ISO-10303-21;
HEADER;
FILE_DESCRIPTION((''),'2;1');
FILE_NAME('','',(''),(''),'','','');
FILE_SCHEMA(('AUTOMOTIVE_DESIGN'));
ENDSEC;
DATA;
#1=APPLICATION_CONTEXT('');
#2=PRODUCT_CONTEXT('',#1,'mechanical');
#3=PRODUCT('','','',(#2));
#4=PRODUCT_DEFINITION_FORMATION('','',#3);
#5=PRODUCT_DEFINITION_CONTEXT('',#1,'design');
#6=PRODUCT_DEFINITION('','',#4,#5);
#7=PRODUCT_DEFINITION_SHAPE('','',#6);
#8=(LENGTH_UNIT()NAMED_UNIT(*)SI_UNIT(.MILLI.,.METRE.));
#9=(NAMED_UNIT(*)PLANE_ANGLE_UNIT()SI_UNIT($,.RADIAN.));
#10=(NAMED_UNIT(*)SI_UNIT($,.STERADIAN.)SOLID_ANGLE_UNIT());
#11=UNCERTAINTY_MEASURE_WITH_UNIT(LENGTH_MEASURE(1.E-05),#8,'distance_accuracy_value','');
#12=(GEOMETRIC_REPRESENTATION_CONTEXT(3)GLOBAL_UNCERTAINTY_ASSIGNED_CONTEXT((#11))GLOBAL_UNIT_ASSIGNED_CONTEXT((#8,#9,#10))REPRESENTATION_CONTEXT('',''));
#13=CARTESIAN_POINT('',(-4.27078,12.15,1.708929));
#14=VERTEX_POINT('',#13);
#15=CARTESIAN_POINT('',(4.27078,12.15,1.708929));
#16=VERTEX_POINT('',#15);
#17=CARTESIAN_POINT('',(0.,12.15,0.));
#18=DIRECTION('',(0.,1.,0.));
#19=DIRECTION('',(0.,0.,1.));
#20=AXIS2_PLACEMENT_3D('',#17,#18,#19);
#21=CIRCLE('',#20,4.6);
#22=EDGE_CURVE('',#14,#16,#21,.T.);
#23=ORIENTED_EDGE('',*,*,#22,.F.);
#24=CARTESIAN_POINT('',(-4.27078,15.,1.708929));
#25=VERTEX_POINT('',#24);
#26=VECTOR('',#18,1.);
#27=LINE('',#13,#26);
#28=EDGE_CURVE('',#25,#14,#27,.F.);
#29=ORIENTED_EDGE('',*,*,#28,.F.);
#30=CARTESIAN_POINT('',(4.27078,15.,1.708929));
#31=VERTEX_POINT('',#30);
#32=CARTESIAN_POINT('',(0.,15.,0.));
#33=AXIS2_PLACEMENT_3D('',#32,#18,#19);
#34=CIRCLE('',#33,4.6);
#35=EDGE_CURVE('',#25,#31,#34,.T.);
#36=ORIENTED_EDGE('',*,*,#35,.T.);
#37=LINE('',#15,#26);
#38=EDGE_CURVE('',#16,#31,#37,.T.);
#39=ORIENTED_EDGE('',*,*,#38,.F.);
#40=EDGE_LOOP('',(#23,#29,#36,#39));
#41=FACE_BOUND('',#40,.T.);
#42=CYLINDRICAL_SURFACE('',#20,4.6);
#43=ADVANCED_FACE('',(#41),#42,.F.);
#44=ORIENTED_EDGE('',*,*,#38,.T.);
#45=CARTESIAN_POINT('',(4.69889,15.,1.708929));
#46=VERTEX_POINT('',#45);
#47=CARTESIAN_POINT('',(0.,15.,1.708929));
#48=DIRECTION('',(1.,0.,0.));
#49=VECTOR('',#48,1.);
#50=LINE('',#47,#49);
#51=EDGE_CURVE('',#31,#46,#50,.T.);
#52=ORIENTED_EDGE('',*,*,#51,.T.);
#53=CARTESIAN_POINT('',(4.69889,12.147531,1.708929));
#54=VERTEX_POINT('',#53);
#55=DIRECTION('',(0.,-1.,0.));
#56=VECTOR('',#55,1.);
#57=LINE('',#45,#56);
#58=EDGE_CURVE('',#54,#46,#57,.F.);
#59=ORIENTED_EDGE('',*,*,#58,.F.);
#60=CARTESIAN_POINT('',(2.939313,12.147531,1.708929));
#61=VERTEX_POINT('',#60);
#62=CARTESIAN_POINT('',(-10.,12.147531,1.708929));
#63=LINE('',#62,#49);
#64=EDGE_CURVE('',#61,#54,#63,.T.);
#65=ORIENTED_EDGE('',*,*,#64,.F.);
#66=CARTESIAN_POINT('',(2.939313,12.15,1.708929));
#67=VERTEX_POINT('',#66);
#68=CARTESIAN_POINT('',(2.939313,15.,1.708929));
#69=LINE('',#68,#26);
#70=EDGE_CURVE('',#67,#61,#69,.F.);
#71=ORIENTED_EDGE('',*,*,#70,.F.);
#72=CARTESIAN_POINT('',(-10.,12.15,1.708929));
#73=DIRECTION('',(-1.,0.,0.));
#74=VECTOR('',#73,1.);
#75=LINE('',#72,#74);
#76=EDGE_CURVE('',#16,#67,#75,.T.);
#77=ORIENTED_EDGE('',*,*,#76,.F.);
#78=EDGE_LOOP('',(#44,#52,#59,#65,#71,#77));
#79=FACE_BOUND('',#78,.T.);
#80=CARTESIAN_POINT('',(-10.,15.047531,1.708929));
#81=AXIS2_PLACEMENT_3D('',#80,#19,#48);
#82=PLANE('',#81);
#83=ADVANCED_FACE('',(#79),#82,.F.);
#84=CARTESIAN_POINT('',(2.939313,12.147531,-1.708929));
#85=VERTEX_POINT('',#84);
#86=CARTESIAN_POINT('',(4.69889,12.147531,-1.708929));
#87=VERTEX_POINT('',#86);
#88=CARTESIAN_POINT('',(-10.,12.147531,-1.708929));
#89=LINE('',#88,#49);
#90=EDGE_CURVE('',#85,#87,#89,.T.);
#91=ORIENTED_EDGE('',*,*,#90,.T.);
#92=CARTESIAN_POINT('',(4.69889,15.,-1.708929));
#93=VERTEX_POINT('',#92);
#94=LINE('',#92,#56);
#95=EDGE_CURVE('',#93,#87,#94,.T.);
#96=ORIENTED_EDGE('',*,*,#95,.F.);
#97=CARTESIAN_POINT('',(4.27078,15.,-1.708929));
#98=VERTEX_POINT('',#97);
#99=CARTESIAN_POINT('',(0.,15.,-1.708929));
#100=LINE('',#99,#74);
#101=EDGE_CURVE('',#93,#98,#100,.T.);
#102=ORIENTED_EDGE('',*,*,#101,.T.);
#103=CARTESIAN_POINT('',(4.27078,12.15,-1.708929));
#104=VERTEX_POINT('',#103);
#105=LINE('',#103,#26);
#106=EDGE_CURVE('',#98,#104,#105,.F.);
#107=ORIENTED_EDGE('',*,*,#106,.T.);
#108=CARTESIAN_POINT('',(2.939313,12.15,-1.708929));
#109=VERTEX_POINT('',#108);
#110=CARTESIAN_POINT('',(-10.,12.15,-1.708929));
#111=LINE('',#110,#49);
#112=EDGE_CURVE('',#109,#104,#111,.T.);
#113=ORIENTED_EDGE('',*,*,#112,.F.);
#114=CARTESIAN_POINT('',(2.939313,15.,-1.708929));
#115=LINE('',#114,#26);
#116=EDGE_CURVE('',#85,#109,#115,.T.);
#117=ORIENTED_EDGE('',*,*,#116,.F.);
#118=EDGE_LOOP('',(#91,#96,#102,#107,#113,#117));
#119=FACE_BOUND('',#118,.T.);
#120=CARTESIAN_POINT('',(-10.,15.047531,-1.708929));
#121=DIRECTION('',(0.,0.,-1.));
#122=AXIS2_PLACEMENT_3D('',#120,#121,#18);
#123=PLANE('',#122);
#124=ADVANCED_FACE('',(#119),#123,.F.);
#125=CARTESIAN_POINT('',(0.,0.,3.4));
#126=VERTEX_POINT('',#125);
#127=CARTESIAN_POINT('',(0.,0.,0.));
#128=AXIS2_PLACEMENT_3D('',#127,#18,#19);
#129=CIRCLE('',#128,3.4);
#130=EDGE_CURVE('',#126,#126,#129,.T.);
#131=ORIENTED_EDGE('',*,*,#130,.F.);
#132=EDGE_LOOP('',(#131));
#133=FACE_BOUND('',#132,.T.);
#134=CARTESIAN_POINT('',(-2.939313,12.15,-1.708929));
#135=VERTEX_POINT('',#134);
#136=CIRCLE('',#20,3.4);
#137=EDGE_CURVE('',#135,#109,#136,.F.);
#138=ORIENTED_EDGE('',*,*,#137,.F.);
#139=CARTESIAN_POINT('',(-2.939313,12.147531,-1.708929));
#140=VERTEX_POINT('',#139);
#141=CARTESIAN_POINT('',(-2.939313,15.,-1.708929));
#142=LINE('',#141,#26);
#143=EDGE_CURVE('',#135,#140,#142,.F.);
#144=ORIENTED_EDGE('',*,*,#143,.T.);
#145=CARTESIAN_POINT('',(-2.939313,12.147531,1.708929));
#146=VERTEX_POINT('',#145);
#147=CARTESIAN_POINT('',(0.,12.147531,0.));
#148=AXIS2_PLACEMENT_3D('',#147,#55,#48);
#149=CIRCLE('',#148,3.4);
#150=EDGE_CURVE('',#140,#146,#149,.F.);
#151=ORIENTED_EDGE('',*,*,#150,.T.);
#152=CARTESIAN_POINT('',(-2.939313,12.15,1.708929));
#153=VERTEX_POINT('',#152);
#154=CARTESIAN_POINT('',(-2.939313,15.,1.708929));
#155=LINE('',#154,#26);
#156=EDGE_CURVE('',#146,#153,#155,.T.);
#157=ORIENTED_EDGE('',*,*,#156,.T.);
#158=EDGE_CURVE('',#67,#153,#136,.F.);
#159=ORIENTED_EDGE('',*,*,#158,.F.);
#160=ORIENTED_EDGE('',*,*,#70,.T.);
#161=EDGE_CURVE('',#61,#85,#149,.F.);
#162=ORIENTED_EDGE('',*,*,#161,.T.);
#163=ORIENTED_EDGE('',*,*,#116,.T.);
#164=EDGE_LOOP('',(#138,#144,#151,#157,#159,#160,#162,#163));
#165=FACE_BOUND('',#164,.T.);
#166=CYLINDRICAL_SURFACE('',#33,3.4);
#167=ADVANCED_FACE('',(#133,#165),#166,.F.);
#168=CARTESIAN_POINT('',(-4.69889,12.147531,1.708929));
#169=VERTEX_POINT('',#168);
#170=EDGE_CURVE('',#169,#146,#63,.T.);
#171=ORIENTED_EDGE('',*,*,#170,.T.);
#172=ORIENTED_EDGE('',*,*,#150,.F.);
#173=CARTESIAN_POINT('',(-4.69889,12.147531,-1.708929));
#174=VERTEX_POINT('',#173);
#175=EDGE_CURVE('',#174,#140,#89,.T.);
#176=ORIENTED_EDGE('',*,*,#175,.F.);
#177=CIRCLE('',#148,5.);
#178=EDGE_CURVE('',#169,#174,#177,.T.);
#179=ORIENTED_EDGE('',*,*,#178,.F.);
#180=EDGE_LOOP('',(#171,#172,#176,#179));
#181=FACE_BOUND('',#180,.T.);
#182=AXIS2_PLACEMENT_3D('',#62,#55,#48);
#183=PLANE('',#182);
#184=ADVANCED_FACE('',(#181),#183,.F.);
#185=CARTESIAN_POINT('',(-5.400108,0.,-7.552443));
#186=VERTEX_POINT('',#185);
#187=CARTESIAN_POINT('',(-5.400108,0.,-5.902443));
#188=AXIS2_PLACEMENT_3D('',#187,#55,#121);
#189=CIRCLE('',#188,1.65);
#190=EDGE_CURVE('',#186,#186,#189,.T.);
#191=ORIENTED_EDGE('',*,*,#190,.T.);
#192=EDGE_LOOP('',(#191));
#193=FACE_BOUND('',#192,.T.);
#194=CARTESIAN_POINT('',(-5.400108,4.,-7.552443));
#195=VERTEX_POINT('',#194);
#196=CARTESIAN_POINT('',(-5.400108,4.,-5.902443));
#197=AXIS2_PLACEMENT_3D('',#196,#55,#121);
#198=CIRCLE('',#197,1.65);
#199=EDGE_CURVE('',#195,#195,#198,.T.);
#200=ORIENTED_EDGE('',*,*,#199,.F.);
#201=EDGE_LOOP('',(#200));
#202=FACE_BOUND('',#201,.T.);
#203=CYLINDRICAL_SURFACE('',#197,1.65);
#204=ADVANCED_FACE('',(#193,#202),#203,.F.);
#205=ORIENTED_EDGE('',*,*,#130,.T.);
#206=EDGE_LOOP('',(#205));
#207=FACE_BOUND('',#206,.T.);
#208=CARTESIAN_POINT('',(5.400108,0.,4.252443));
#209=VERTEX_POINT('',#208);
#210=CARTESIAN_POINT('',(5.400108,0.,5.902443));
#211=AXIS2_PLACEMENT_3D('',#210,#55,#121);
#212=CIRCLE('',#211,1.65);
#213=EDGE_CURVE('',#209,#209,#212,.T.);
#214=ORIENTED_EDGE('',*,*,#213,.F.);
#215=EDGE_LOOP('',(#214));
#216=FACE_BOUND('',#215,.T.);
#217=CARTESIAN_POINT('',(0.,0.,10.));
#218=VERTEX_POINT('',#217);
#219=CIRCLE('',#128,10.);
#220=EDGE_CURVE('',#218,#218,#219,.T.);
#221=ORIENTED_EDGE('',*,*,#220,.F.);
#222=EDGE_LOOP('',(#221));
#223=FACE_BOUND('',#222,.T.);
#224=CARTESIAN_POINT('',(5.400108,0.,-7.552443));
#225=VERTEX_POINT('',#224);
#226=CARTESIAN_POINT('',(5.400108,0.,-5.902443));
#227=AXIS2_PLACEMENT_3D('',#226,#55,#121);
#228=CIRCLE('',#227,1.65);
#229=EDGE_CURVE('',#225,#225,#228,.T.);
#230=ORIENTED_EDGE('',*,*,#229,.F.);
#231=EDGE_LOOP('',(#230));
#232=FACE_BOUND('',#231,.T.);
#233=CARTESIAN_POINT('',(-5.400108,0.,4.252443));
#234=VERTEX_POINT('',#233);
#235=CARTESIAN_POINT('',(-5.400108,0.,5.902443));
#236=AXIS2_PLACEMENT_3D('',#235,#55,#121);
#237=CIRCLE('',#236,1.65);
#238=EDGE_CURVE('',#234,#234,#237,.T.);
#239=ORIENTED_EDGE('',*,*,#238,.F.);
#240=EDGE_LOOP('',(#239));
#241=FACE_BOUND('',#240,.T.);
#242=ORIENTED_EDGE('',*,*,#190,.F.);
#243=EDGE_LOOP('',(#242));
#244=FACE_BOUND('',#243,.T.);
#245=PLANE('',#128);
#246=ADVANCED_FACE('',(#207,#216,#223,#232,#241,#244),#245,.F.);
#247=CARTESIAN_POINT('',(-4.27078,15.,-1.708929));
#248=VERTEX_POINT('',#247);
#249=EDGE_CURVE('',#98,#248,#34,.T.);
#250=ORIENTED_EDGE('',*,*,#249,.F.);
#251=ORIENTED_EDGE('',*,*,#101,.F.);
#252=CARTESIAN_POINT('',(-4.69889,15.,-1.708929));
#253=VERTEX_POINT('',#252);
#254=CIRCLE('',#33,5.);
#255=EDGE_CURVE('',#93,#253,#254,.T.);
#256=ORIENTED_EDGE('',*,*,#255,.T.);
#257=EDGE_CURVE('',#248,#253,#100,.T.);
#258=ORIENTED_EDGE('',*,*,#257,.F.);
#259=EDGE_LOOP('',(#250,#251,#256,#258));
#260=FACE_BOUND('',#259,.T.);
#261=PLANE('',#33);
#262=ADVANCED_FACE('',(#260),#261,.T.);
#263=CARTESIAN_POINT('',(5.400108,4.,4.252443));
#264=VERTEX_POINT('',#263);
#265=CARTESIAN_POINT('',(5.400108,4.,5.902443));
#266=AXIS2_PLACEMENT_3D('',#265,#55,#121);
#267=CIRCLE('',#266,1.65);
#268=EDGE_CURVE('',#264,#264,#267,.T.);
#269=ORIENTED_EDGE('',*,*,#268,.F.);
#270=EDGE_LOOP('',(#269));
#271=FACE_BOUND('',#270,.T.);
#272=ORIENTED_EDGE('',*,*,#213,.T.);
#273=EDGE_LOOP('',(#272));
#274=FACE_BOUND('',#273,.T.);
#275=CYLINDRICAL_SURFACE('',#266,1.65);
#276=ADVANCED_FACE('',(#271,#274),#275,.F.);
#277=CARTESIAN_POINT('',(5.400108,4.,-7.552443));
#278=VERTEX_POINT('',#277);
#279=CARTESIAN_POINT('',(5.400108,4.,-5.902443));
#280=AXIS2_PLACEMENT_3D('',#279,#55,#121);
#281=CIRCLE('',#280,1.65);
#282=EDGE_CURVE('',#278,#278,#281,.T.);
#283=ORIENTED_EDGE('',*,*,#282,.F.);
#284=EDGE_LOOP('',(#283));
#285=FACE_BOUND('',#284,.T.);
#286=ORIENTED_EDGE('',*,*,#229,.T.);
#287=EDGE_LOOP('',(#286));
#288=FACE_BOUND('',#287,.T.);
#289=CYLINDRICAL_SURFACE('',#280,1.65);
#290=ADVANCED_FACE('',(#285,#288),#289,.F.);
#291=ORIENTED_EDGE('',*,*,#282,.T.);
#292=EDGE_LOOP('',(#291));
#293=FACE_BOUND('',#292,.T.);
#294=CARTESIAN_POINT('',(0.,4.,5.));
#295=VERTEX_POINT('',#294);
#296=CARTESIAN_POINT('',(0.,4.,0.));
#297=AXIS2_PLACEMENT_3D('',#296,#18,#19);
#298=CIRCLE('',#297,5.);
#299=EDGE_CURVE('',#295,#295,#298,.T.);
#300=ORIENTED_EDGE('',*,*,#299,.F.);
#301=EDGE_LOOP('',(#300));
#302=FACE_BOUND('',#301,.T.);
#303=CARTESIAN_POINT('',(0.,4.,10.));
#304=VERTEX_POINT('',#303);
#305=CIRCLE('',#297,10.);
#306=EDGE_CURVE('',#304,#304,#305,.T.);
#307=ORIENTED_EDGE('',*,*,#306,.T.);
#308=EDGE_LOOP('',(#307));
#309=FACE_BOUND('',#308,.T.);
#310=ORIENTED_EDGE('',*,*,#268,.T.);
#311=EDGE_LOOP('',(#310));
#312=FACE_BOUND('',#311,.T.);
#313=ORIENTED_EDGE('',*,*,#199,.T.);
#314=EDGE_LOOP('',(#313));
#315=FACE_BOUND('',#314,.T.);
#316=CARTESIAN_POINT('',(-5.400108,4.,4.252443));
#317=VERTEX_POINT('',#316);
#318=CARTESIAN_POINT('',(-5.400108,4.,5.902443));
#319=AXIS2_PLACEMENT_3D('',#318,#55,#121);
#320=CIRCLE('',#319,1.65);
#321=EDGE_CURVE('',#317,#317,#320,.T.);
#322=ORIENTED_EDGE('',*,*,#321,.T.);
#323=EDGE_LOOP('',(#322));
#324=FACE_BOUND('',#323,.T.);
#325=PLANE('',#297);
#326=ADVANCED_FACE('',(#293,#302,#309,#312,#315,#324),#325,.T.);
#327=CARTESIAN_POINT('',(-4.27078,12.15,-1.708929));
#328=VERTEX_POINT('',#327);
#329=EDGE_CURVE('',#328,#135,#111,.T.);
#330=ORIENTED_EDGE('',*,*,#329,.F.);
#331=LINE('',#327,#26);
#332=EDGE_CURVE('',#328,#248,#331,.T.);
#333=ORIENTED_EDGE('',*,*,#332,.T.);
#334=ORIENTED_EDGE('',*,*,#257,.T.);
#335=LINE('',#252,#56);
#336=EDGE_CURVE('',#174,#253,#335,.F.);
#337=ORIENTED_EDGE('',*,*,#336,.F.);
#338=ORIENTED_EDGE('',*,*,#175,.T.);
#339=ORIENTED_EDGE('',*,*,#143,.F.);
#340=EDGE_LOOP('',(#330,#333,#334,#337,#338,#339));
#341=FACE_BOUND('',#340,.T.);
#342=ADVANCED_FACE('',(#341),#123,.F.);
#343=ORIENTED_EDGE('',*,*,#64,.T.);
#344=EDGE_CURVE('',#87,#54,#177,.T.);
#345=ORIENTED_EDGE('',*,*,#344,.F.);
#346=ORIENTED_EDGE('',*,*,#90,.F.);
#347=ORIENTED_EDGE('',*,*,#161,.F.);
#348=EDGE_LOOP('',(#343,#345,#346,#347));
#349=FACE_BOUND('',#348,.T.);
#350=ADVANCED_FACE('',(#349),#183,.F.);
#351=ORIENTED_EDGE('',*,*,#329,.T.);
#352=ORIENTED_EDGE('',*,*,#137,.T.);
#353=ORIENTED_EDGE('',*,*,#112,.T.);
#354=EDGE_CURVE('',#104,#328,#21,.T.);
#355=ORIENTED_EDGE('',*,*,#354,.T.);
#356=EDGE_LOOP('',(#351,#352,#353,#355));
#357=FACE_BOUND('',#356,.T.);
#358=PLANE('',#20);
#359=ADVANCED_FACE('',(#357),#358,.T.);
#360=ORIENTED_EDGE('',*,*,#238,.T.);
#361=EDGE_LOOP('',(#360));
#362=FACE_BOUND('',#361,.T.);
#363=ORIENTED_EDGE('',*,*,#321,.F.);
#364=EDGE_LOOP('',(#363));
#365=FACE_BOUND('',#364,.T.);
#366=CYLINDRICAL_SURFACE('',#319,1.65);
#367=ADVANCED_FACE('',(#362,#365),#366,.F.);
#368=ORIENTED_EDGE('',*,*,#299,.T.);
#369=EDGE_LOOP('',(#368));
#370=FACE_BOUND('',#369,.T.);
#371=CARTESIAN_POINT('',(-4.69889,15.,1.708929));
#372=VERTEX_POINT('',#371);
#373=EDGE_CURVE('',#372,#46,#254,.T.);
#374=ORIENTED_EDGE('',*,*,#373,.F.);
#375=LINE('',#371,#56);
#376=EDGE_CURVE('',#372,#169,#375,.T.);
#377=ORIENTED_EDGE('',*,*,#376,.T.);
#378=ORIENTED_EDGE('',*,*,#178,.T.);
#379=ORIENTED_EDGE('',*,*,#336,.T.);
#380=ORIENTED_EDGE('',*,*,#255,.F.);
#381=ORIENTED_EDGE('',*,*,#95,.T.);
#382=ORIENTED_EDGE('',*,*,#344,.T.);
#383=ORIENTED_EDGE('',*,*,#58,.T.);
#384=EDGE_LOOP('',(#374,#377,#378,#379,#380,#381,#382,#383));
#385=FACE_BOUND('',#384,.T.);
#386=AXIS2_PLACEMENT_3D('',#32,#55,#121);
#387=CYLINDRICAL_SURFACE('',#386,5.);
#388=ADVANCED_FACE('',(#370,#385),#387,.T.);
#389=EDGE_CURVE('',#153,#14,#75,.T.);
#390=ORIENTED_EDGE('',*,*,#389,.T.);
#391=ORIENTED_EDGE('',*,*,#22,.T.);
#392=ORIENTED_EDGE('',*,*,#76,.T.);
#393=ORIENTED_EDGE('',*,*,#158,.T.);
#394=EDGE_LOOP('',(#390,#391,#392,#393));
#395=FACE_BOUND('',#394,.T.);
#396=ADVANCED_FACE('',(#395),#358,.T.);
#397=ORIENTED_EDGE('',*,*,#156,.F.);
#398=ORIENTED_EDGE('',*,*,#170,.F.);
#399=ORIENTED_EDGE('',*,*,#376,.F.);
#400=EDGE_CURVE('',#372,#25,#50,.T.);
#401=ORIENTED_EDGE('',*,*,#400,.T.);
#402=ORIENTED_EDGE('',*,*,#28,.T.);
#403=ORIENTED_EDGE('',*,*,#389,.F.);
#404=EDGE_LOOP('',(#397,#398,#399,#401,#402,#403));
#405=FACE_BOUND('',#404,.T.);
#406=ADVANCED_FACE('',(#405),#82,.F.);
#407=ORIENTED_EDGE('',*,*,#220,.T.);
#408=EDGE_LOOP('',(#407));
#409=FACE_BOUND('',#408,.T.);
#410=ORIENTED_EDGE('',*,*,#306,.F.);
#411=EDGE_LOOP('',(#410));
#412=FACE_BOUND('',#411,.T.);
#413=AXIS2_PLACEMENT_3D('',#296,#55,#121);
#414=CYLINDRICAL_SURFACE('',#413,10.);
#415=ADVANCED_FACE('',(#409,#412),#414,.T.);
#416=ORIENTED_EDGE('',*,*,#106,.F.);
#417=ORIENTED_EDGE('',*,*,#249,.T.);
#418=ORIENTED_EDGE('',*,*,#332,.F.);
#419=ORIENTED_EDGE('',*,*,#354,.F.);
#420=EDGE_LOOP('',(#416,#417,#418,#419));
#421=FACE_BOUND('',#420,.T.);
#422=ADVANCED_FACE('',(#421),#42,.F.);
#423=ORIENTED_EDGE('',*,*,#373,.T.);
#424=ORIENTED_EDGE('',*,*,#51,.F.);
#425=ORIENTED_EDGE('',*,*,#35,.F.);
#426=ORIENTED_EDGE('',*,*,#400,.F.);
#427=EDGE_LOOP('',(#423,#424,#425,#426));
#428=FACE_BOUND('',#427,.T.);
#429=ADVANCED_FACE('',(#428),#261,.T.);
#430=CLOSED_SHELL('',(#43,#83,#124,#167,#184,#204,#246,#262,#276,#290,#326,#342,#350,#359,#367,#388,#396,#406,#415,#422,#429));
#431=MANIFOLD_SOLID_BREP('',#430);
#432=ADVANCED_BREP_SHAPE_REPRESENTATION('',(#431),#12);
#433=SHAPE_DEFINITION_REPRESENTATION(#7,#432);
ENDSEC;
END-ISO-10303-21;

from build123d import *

# Parameters (mm, degrees)
SKETCH_1_R                   = 10
EXTRUDE_1_DEPTH              = 4
SKETCH_4_R                   = 1.65
CUT_EXTRUDE_1_DEPTH          = 4
SKETCH_5_R                   = 5
EXTRUDE_2_DEPTH              = 11
HOLE_WIZARD_M8_1_D           = 6.8
HOLE_WIZARD_M8_1_ON_FACE_2_D = 6.8
CUT_EXTRUDE_4_DEPTH          = 24.450776575
CUT_EXTRUDE_4_DEPTH_BACK     = 24.450776575
SKETCH_11_W                  = 3.417857142
SKETCH_11_H                  = 2.9
SKETCH_12_R                  = 4.6
CUT_EXTRUDE_5_DEPTH          = 2.85


with BuildPart() as part:
    # 草图1 → 凸台-拉伸1 (new body)
    with BuildSketch(Plane(origin=(0, 0, 0), x_dir=(1, 0, 0), z_dir=(0, 1, 0))):
        with Locations(Location((0, 0, 0), (0, 0, 270))):
            Circle(SKETCH_1_R)
    extrude(amount=EXTRUDE_1_DEPTH)

    # 草图4 → 切除-拉伸1 (cut)
    with BuildSketch(Plane(origin=(0, 0, 0), x_dir=(-1, 0, 0), z_dir=(0, -1, 0))):
        with Locations(Location((5.400107697, -5.902443296, 0), (0, 0, 90))):
            Circle(SKETCH_4_R)
        with Locations(Location((-5.400107697, -5.902443296, 0), (0, 0, 90))):
            Circle(SKETCH_4_R)
        with Locations(Location((-5.400107697, 5.902443296, 0), (0, 0, 90))):
            Circle(SKETCH_4_R)
        with Locations(Location((5.400107697, 5.902443296, 0), (0, 0, 90))):
            Circle(SKETCH_4_R)
    extrude(amount=-CUT_EXTRUDE_1_DEPTH, mode=Mode.SUBTRACT)

    # 草图5 → 凸台-拉伸2 (add)
    with BuildSketch(Plane(origin=(0, 4, 0), x_dir=(1, 0, 0), z_dir=(0, 1, 0))):
        with Locations(Location((0, 0, 0), (0, 0, 270))):
            Circle(SKETCH_5_R)
    extrude(amount=EXTRUDE_2_DEPTH)

    # M8 螺纹孔1 (through all)
    with Locations(Plane(origin=(0, 0, 0), x_dir=(0, 0, -1), z_dir=(0, -1, 0))):
        with Locations((0, 0)):
            Hole(HOLE_WIZARD_M8_1_D / 2)

    # M8 螺纹孔1 on face 2 (through all)
    with Locations(Plane.ZX.offset(15)):
        with Locations((0, 0)):
            Hole(HOLE_WIZARD_M8_1_ON_FACE_2_D / 2)

    # 草图11 → 切除-拉伸4 (cut, two sides: drawn at the far end of the back side and taken through both)
    with BuildSketch(Plane(origin=(4.997963928, 0, 0), x_dir=(0, 0, -1), z_dir=(1, 0, 0)).offset(-CUT_EXTRUDE_4_DEPTH_BACK)):
        with Locations((0, 13.597531036)):
            Rectangle(SKETCH_11_W, SKETCH_11_H)
    extrude(amount=CUT_EXTRUDE_4_DEPTH + CUT_EXTRUDE_4_DEPTH_BACK, mode=Mode.SUBTRACT)

    # 草图12 → 切除-拉伸5 (cut)
    with BuildSketch(Plane(origin=(0, 15, 0), x_dir=(1, 0, 0), z_dir=(0, 1, 0))):
        Circle(SKETCH_12_R)
    extrude(amount=-CUT_EXTRUDE_5_DEPTH, mode=Mode.SUBTRACT)


solid = part.part
